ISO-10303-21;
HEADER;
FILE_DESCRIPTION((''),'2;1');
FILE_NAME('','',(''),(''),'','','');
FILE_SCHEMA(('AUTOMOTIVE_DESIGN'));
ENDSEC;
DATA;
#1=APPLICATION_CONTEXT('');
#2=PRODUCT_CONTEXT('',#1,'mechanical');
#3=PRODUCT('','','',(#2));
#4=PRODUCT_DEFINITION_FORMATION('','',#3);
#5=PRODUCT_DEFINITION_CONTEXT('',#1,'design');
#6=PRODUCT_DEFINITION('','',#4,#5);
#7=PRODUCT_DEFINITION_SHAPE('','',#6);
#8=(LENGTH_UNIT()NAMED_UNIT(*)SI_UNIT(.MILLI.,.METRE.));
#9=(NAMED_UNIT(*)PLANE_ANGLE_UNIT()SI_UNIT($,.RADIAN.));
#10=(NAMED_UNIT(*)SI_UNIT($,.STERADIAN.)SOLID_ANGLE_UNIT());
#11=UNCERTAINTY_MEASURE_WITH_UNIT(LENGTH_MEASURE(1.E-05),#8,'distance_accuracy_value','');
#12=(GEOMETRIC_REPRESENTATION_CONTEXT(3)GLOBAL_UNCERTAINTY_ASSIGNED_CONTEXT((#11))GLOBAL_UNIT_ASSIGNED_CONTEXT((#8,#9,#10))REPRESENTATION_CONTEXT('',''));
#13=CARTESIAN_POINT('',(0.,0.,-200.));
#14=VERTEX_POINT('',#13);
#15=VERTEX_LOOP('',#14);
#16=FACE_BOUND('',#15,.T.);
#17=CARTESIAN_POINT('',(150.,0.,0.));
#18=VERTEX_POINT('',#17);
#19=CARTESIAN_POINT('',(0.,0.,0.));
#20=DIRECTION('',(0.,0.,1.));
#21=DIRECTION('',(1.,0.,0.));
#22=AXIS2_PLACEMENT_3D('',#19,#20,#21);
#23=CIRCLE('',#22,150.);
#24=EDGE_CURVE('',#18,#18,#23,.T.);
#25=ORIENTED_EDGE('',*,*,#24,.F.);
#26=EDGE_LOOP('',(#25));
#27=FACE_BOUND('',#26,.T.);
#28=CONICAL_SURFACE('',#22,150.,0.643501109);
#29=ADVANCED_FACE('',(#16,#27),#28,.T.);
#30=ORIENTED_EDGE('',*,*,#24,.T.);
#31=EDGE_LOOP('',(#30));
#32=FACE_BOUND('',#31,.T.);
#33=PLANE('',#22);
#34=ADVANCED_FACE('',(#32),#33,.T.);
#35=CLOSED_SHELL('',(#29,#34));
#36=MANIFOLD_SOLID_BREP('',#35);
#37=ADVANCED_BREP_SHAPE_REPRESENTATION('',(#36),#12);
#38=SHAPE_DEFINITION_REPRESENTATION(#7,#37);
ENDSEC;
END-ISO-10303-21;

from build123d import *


with BuildPart() as part:
    # 草图1 → 旋转1 (revolve)
    with BuildSketch(Plane(origin=(0, 0, 0), x_dir=(1, 0, 0), z_dir=(0, 1, 0))):
        Polygon((0, 0), (150, 0), (0, 200), align=None)
    revolve(axis=Axis((0, 0, 0), (0, 0, -1)))


solid = part.part
